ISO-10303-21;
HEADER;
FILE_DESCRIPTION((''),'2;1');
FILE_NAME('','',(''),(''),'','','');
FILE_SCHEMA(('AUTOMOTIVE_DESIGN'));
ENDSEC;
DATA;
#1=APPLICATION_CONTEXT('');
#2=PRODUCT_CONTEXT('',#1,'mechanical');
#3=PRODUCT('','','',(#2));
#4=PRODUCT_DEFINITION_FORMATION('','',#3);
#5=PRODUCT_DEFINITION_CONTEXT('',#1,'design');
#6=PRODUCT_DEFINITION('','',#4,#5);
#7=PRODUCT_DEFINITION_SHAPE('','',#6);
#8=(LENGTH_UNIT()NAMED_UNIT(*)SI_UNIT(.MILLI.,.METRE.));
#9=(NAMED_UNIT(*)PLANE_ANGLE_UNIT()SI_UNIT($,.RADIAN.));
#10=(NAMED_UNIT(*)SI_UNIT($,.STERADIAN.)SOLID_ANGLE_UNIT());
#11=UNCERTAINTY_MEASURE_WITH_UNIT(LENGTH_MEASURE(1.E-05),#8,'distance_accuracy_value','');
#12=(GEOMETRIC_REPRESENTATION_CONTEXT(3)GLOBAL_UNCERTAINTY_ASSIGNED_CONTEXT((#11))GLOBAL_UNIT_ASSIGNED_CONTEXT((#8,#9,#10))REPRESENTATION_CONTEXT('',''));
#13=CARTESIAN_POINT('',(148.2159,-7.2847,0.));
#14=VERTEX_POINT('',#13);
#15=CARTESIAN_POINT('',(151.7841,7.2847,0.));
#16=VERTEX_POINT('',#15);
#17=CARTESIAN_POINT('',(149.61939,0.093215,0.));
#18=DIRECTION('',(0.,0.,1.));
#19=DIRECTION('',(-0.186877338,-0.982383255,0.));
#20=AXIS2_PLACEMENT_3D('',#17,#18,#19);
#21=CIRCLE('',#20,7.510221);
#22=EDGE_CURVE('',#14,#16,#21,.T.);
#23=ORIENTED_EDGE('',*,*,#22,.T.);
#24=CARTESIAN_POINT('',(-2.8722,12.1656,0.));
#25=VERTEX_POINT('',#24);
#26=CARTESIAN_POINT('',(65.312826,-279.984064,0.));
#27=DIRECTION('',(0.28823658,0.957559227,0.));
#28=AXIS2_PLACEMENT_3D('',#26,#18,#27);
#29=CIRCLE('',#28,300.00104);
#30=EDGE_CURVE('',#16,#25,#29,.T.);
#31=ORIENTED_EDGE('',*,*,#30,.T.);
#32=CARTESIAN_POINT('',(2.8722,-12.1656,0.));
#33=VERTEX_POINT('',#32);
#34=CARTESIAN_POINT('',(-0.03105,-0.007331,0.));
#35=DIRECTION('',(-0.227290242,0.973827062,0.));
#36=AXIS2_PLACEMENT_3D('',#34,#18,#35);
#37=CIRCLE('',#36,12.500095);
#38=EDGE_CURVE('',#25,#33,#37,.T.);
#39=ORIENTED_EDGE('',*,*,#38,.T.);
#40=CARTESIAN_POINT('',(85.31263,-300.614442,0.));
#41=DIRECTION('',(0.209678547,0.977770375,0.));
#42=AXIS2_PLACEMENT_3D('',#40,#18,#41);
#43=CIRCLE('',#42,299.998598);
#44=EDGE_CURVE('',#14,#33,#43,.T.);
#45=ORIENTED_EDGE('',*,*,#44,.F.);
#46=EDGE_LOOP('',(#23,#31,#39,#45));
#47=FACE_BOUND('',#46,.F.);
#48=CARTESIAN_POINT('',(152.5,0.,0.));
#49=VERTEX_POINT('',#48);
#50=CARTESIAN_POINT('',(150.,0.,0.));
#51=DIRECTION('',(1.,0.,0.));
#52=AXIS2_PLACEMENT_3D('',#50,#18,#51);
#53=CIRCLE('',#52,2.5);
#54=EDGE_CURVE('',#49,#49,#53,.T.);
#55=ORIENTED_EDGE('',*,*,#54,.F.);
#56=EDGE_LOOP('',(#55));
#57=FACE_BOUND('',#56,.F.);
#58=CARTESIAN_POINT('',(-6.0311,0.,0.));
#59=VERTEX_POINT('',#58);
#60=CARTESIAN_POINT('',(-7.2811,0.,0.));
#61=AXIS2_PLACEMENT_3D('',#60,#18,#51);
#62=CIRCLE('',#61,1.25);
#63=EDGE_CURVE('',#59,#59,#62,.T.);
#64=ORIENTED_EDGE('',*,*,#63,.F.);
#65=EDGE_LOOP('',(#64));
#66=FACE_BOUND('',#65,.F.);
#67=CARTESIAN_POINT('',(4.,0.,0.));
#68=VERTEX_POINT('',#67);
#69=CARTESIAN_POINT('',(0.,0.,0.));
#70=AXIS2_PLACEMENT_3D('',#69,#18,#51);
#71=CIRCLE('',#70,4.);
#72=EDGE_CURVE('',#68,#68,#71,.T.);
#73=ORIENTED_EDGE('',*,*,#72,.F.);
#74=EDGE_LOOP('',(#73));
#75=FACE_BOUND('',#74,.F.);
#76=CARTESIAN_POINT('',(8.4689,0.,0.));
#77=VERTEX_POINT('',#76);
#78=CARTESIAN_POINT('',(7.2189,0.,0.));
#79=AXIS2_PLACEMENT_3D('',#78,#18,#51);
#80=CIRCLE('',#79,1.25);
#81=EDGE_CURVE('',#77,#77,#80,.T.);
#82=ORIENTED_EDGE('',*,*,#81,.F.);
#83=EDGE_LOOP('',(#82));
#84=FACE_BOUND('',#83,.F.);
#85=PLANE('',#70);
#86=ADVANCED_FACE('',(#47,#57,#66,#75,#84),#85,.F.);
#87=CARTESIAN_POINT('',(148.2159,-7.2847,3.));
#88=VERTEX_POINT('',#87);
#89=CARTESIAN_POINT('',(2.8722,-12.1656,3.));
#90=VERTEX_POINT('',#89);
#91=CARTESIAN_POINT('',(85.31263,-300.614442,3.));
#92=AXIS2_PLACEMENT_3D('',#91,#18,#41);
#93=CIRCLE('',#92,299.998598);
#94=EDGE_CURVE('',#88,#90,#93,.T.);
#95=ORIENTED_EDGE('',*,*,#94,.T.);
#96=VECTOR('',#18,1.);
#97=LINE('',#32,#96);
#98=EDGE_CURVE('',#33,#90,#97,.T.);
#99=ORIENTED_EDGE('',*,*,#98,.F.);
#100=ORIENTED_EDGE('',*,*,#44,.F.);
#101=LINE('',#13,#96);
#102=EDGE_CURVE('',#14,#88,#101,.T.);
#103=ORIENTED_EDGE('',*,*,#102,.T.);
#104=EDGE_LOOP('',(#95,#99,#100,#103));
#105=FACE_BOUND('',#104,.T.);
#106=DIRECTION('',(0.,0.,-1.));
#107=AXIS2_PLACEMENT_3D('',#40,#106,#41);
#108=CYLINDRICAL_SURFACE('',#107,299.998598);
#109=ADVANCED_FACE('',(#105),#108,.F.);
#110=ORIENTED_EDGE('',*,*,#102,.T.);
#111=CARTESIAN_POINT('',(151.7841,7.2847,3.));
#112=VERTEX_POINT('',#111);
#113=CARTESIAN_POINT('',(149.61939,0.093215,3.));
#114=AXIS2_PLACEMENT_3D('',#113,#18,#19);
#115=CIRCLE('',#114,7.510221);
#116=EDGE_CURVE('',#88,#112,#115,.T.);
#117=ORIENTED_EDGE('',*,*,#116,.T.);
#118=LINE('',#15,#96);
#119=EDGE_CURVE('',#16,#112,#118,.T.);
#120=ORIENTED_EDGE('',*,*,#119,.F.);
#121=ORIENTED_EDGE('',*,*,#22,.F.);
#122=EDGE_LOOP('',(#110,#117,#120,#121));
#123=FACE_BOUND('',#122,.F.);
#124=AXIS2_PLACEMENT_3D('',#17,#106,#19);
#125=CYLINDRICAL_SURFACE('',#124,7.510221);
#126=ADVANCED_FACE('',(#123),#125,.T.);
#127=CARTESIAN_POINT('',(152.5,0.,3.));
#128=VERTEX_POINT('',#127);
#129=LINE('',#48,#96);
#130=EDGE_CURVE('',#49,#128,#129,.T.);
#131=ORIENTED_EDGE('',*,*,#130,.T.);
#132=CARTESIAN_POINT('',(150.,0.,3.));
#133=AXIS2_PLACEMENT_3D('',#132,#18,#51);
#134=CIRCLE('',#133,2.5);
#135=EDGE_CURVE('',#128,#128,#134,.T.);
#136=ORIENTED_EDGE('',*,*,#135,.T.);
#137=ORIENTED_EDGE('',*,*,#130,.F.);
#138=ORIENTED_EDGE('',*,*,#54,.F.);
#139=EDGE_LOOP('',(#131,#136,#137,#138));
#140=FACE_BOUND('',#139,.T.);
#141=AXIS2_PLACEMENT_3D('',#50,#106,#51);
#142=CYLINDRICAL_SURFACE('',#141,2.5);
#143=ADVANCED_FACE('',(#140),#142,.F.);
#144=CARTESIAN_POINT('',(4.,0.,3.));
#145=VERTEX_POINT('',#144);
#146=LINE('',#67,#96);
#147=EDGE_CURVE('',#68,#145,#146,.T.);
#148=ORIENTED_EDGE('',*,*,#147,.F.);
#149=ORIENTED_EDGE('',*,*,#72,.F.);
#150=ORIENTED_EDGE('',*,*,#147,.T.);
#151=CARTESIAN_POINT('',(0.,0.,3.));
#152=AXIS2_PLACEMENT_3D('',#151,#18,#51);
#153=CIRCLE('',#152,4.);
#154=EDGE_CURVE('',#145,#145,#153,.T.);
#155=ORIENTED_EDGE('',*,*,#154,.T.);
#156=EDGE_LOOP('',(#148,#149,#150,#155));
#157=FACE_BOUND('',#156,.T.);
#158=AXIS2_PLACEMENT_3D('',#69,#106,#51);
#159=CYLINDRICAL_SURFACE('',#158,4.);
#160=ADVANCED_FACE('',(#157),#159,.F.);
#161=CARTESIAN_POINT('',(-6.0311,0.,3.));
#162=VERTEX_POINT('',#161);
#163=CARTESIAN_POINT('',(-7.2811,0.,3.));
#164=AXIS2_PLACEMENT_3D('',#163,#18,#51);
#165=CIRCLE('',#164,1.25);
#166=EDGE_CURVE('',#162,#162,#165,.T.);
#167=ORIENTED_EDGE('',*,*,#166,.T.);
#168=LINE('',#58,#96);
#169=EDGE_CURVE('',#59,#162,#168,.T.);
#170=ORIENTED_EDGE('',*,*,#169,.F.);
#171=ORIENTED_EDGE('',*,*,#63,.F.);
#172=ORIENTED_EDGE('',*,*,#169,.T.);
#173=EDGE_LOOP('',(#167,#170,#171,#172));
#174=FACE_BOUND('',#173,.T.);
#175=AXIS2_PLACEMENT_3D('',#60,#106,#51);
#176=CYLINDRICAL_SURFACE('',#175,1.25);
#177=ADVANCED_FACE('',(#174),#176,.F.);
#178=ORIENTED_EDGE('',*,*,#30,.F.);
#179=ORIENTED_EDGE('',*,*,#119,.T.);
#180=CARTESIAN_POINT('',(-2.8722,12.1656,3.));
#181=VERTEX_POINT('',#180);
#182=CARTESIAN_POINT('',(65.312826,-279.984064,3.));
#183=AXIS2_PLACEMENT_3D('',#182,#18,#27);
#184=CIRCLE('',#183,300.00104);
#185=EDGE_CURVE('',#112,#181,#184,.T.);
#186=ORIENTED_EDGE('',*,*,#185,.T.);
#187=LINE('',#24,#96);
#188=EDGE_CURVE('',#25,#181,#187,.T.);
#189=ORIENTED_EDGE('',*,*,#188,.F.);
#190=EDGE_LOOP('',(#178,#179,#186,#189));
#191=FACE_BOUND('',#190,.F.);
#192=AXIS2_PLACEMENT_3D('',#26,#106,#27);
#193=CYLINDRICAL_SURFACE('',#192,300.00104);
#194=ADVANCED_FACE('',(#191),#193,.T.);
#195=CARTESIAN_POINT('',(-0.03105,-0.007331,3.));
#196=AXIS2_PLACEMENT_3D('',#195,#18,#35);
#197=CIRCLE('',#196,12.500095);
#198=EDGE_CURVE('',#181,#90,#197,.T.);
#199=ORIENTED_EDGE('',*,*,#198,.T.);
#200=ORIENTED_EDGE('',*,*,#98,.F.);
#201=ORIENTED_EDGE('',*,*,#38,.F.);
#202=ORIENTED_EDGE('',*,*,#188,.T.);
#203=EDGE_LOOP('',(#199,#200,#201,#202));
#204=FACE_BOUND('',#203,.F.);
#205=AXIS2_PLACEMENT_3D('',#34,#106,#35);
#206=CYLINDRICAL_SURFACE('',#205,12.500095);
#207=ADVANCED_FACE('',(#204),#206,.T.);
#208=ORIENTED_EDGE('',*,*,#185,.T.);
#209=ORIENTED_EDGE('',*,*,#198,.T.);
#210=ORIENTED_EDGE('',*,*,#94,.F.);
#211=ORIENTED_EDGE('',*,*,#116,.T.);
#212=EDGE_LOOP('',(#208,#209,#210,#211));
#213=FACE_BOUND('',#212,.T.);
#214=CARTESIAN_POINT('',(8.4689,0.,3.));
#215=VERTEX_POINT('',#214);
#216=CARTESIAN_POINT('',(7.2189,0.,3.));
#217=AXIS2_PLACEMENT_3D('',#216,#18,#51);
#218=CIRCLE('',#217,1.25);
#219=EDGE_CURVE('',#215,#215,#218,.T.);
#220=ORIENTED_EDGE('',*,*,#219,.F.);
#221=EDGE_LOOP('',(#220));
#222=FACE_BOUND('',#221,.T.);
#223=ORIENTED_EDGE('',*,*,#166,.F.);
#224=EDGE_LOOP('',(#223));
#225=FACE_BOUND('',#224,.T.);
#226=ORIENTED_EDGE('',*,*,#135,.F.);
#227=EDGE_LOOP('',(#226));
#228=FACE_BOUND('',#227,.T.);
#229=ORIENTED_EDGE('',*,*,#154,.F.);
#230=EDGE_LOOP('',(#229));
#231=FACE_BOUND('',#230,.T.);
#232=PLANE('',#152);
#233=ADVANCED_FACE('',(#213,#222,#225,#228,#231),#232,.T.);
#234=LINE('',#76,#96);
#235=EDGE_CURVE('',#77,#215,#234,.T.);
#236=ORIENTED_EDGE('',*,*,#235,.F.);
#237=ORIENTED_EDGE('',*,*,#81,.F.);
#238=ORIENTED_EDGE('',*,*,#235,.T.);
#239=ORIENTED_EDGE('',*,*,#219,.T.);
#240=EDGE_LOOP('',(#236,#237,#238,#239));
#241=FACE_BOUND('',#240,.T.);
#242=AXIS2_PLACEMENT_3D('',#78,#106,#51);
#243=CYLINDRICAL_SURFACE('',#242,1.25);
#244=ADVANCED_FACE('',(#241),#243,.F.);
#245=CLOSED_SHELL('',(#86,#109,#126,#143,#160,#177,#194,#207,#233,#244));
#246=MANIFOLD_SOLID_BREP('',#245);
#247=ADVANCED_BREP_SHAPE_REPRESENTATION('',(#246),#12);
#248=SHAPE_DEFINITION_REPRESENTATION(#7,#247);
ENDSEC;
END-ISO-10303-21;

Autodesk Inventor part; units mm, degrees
ref_plane "YZ Plane" through (0, 0, 0) normal (1, 0, 0) x (0, 1, 0)
ref_plane "XZ Plane" through (0, 0, 0) normal (0, 1, 0) x (-1, 0, 0)
ref_plane "XY Plane" through (0, 0, 0) normal (0, 0, 1) x (1, 0, 0)
sketch "Sketch1" plane through (0, 0, 0) normal (0, 0, 1) x (1, 0, 0)
  line L0 (0, 0) -> (150, 0) construction
  circle A0 centre (0, 0) radius 4
  circle A1 centre (0, 0) radius 12.5 construction
  circle A2 centre (150, 0) radius 2.5
  circle A3 centre (150, 0) radius 7.5 construction
  arc A4 (150, 0) -> (0, 0) centre (75, -290.4738) ccw construction
  line L1 (-4.0971, 17.3539) -> (0, 0) construction
  line L2 (0, 0) -> (12.1656, 2.8722) construction
  line L3 (0, 0) -> (3.4621, -14.6644) construction
  line L4 (147.6861, -9.448) -> (150, 0) construction
  line L5 (150, 0) -> (152.7079, 11.057) construction
  line L6 (150, 0) -> (150, 0) construction
  line L7 (150, 0) -> (142.7153, 1.7841) construction
  arc A5 (151.7841, 7.2847) -> (-2.8722, 12.1656) centre (65.313, -279.983) ccw
  arc A6 (148.2159, -7.2847) -> (2.8722, -12.1656) centre (85.3125, -300.6159) ccw
  arc A7 (-2.8722, 12.1656) -> (2.8722, -12.1656) centre (-0.0311, -0.0073) ccw
  arc A8 (148.2159, -7.2847) -> (151.7841, 7.2847) centre (149.6194, 0.0932) ccw
  circle A9 centre (-0.0311, -0.0073) radius 7.25 construction
  circle A10 centre (-7.2811, 0) radius 1.25
  circle A11 centre (7.2189, 0) radius 1.25
  dimension "d0" = 150
  dimension "d1" = 8
  dimension "d2" = 25
  dimension "d3" = 5
  dimension "d4" = 15
  dimension "d6" = 300
  dimension "d7" = 90
  dimension "d8" = 180
  dimension "d9" = 180
  dimension "d10" = 90
  dimension "d11" = 300
  dimension "d12" = 300
  dimension "d13" = 14.5
  dimension "d14" = 2.5
  dimension "d15" = 2.5
extrude "Extrusion1" add sketch "Sketch1" along normal blind 3
properties part number "brazo"
